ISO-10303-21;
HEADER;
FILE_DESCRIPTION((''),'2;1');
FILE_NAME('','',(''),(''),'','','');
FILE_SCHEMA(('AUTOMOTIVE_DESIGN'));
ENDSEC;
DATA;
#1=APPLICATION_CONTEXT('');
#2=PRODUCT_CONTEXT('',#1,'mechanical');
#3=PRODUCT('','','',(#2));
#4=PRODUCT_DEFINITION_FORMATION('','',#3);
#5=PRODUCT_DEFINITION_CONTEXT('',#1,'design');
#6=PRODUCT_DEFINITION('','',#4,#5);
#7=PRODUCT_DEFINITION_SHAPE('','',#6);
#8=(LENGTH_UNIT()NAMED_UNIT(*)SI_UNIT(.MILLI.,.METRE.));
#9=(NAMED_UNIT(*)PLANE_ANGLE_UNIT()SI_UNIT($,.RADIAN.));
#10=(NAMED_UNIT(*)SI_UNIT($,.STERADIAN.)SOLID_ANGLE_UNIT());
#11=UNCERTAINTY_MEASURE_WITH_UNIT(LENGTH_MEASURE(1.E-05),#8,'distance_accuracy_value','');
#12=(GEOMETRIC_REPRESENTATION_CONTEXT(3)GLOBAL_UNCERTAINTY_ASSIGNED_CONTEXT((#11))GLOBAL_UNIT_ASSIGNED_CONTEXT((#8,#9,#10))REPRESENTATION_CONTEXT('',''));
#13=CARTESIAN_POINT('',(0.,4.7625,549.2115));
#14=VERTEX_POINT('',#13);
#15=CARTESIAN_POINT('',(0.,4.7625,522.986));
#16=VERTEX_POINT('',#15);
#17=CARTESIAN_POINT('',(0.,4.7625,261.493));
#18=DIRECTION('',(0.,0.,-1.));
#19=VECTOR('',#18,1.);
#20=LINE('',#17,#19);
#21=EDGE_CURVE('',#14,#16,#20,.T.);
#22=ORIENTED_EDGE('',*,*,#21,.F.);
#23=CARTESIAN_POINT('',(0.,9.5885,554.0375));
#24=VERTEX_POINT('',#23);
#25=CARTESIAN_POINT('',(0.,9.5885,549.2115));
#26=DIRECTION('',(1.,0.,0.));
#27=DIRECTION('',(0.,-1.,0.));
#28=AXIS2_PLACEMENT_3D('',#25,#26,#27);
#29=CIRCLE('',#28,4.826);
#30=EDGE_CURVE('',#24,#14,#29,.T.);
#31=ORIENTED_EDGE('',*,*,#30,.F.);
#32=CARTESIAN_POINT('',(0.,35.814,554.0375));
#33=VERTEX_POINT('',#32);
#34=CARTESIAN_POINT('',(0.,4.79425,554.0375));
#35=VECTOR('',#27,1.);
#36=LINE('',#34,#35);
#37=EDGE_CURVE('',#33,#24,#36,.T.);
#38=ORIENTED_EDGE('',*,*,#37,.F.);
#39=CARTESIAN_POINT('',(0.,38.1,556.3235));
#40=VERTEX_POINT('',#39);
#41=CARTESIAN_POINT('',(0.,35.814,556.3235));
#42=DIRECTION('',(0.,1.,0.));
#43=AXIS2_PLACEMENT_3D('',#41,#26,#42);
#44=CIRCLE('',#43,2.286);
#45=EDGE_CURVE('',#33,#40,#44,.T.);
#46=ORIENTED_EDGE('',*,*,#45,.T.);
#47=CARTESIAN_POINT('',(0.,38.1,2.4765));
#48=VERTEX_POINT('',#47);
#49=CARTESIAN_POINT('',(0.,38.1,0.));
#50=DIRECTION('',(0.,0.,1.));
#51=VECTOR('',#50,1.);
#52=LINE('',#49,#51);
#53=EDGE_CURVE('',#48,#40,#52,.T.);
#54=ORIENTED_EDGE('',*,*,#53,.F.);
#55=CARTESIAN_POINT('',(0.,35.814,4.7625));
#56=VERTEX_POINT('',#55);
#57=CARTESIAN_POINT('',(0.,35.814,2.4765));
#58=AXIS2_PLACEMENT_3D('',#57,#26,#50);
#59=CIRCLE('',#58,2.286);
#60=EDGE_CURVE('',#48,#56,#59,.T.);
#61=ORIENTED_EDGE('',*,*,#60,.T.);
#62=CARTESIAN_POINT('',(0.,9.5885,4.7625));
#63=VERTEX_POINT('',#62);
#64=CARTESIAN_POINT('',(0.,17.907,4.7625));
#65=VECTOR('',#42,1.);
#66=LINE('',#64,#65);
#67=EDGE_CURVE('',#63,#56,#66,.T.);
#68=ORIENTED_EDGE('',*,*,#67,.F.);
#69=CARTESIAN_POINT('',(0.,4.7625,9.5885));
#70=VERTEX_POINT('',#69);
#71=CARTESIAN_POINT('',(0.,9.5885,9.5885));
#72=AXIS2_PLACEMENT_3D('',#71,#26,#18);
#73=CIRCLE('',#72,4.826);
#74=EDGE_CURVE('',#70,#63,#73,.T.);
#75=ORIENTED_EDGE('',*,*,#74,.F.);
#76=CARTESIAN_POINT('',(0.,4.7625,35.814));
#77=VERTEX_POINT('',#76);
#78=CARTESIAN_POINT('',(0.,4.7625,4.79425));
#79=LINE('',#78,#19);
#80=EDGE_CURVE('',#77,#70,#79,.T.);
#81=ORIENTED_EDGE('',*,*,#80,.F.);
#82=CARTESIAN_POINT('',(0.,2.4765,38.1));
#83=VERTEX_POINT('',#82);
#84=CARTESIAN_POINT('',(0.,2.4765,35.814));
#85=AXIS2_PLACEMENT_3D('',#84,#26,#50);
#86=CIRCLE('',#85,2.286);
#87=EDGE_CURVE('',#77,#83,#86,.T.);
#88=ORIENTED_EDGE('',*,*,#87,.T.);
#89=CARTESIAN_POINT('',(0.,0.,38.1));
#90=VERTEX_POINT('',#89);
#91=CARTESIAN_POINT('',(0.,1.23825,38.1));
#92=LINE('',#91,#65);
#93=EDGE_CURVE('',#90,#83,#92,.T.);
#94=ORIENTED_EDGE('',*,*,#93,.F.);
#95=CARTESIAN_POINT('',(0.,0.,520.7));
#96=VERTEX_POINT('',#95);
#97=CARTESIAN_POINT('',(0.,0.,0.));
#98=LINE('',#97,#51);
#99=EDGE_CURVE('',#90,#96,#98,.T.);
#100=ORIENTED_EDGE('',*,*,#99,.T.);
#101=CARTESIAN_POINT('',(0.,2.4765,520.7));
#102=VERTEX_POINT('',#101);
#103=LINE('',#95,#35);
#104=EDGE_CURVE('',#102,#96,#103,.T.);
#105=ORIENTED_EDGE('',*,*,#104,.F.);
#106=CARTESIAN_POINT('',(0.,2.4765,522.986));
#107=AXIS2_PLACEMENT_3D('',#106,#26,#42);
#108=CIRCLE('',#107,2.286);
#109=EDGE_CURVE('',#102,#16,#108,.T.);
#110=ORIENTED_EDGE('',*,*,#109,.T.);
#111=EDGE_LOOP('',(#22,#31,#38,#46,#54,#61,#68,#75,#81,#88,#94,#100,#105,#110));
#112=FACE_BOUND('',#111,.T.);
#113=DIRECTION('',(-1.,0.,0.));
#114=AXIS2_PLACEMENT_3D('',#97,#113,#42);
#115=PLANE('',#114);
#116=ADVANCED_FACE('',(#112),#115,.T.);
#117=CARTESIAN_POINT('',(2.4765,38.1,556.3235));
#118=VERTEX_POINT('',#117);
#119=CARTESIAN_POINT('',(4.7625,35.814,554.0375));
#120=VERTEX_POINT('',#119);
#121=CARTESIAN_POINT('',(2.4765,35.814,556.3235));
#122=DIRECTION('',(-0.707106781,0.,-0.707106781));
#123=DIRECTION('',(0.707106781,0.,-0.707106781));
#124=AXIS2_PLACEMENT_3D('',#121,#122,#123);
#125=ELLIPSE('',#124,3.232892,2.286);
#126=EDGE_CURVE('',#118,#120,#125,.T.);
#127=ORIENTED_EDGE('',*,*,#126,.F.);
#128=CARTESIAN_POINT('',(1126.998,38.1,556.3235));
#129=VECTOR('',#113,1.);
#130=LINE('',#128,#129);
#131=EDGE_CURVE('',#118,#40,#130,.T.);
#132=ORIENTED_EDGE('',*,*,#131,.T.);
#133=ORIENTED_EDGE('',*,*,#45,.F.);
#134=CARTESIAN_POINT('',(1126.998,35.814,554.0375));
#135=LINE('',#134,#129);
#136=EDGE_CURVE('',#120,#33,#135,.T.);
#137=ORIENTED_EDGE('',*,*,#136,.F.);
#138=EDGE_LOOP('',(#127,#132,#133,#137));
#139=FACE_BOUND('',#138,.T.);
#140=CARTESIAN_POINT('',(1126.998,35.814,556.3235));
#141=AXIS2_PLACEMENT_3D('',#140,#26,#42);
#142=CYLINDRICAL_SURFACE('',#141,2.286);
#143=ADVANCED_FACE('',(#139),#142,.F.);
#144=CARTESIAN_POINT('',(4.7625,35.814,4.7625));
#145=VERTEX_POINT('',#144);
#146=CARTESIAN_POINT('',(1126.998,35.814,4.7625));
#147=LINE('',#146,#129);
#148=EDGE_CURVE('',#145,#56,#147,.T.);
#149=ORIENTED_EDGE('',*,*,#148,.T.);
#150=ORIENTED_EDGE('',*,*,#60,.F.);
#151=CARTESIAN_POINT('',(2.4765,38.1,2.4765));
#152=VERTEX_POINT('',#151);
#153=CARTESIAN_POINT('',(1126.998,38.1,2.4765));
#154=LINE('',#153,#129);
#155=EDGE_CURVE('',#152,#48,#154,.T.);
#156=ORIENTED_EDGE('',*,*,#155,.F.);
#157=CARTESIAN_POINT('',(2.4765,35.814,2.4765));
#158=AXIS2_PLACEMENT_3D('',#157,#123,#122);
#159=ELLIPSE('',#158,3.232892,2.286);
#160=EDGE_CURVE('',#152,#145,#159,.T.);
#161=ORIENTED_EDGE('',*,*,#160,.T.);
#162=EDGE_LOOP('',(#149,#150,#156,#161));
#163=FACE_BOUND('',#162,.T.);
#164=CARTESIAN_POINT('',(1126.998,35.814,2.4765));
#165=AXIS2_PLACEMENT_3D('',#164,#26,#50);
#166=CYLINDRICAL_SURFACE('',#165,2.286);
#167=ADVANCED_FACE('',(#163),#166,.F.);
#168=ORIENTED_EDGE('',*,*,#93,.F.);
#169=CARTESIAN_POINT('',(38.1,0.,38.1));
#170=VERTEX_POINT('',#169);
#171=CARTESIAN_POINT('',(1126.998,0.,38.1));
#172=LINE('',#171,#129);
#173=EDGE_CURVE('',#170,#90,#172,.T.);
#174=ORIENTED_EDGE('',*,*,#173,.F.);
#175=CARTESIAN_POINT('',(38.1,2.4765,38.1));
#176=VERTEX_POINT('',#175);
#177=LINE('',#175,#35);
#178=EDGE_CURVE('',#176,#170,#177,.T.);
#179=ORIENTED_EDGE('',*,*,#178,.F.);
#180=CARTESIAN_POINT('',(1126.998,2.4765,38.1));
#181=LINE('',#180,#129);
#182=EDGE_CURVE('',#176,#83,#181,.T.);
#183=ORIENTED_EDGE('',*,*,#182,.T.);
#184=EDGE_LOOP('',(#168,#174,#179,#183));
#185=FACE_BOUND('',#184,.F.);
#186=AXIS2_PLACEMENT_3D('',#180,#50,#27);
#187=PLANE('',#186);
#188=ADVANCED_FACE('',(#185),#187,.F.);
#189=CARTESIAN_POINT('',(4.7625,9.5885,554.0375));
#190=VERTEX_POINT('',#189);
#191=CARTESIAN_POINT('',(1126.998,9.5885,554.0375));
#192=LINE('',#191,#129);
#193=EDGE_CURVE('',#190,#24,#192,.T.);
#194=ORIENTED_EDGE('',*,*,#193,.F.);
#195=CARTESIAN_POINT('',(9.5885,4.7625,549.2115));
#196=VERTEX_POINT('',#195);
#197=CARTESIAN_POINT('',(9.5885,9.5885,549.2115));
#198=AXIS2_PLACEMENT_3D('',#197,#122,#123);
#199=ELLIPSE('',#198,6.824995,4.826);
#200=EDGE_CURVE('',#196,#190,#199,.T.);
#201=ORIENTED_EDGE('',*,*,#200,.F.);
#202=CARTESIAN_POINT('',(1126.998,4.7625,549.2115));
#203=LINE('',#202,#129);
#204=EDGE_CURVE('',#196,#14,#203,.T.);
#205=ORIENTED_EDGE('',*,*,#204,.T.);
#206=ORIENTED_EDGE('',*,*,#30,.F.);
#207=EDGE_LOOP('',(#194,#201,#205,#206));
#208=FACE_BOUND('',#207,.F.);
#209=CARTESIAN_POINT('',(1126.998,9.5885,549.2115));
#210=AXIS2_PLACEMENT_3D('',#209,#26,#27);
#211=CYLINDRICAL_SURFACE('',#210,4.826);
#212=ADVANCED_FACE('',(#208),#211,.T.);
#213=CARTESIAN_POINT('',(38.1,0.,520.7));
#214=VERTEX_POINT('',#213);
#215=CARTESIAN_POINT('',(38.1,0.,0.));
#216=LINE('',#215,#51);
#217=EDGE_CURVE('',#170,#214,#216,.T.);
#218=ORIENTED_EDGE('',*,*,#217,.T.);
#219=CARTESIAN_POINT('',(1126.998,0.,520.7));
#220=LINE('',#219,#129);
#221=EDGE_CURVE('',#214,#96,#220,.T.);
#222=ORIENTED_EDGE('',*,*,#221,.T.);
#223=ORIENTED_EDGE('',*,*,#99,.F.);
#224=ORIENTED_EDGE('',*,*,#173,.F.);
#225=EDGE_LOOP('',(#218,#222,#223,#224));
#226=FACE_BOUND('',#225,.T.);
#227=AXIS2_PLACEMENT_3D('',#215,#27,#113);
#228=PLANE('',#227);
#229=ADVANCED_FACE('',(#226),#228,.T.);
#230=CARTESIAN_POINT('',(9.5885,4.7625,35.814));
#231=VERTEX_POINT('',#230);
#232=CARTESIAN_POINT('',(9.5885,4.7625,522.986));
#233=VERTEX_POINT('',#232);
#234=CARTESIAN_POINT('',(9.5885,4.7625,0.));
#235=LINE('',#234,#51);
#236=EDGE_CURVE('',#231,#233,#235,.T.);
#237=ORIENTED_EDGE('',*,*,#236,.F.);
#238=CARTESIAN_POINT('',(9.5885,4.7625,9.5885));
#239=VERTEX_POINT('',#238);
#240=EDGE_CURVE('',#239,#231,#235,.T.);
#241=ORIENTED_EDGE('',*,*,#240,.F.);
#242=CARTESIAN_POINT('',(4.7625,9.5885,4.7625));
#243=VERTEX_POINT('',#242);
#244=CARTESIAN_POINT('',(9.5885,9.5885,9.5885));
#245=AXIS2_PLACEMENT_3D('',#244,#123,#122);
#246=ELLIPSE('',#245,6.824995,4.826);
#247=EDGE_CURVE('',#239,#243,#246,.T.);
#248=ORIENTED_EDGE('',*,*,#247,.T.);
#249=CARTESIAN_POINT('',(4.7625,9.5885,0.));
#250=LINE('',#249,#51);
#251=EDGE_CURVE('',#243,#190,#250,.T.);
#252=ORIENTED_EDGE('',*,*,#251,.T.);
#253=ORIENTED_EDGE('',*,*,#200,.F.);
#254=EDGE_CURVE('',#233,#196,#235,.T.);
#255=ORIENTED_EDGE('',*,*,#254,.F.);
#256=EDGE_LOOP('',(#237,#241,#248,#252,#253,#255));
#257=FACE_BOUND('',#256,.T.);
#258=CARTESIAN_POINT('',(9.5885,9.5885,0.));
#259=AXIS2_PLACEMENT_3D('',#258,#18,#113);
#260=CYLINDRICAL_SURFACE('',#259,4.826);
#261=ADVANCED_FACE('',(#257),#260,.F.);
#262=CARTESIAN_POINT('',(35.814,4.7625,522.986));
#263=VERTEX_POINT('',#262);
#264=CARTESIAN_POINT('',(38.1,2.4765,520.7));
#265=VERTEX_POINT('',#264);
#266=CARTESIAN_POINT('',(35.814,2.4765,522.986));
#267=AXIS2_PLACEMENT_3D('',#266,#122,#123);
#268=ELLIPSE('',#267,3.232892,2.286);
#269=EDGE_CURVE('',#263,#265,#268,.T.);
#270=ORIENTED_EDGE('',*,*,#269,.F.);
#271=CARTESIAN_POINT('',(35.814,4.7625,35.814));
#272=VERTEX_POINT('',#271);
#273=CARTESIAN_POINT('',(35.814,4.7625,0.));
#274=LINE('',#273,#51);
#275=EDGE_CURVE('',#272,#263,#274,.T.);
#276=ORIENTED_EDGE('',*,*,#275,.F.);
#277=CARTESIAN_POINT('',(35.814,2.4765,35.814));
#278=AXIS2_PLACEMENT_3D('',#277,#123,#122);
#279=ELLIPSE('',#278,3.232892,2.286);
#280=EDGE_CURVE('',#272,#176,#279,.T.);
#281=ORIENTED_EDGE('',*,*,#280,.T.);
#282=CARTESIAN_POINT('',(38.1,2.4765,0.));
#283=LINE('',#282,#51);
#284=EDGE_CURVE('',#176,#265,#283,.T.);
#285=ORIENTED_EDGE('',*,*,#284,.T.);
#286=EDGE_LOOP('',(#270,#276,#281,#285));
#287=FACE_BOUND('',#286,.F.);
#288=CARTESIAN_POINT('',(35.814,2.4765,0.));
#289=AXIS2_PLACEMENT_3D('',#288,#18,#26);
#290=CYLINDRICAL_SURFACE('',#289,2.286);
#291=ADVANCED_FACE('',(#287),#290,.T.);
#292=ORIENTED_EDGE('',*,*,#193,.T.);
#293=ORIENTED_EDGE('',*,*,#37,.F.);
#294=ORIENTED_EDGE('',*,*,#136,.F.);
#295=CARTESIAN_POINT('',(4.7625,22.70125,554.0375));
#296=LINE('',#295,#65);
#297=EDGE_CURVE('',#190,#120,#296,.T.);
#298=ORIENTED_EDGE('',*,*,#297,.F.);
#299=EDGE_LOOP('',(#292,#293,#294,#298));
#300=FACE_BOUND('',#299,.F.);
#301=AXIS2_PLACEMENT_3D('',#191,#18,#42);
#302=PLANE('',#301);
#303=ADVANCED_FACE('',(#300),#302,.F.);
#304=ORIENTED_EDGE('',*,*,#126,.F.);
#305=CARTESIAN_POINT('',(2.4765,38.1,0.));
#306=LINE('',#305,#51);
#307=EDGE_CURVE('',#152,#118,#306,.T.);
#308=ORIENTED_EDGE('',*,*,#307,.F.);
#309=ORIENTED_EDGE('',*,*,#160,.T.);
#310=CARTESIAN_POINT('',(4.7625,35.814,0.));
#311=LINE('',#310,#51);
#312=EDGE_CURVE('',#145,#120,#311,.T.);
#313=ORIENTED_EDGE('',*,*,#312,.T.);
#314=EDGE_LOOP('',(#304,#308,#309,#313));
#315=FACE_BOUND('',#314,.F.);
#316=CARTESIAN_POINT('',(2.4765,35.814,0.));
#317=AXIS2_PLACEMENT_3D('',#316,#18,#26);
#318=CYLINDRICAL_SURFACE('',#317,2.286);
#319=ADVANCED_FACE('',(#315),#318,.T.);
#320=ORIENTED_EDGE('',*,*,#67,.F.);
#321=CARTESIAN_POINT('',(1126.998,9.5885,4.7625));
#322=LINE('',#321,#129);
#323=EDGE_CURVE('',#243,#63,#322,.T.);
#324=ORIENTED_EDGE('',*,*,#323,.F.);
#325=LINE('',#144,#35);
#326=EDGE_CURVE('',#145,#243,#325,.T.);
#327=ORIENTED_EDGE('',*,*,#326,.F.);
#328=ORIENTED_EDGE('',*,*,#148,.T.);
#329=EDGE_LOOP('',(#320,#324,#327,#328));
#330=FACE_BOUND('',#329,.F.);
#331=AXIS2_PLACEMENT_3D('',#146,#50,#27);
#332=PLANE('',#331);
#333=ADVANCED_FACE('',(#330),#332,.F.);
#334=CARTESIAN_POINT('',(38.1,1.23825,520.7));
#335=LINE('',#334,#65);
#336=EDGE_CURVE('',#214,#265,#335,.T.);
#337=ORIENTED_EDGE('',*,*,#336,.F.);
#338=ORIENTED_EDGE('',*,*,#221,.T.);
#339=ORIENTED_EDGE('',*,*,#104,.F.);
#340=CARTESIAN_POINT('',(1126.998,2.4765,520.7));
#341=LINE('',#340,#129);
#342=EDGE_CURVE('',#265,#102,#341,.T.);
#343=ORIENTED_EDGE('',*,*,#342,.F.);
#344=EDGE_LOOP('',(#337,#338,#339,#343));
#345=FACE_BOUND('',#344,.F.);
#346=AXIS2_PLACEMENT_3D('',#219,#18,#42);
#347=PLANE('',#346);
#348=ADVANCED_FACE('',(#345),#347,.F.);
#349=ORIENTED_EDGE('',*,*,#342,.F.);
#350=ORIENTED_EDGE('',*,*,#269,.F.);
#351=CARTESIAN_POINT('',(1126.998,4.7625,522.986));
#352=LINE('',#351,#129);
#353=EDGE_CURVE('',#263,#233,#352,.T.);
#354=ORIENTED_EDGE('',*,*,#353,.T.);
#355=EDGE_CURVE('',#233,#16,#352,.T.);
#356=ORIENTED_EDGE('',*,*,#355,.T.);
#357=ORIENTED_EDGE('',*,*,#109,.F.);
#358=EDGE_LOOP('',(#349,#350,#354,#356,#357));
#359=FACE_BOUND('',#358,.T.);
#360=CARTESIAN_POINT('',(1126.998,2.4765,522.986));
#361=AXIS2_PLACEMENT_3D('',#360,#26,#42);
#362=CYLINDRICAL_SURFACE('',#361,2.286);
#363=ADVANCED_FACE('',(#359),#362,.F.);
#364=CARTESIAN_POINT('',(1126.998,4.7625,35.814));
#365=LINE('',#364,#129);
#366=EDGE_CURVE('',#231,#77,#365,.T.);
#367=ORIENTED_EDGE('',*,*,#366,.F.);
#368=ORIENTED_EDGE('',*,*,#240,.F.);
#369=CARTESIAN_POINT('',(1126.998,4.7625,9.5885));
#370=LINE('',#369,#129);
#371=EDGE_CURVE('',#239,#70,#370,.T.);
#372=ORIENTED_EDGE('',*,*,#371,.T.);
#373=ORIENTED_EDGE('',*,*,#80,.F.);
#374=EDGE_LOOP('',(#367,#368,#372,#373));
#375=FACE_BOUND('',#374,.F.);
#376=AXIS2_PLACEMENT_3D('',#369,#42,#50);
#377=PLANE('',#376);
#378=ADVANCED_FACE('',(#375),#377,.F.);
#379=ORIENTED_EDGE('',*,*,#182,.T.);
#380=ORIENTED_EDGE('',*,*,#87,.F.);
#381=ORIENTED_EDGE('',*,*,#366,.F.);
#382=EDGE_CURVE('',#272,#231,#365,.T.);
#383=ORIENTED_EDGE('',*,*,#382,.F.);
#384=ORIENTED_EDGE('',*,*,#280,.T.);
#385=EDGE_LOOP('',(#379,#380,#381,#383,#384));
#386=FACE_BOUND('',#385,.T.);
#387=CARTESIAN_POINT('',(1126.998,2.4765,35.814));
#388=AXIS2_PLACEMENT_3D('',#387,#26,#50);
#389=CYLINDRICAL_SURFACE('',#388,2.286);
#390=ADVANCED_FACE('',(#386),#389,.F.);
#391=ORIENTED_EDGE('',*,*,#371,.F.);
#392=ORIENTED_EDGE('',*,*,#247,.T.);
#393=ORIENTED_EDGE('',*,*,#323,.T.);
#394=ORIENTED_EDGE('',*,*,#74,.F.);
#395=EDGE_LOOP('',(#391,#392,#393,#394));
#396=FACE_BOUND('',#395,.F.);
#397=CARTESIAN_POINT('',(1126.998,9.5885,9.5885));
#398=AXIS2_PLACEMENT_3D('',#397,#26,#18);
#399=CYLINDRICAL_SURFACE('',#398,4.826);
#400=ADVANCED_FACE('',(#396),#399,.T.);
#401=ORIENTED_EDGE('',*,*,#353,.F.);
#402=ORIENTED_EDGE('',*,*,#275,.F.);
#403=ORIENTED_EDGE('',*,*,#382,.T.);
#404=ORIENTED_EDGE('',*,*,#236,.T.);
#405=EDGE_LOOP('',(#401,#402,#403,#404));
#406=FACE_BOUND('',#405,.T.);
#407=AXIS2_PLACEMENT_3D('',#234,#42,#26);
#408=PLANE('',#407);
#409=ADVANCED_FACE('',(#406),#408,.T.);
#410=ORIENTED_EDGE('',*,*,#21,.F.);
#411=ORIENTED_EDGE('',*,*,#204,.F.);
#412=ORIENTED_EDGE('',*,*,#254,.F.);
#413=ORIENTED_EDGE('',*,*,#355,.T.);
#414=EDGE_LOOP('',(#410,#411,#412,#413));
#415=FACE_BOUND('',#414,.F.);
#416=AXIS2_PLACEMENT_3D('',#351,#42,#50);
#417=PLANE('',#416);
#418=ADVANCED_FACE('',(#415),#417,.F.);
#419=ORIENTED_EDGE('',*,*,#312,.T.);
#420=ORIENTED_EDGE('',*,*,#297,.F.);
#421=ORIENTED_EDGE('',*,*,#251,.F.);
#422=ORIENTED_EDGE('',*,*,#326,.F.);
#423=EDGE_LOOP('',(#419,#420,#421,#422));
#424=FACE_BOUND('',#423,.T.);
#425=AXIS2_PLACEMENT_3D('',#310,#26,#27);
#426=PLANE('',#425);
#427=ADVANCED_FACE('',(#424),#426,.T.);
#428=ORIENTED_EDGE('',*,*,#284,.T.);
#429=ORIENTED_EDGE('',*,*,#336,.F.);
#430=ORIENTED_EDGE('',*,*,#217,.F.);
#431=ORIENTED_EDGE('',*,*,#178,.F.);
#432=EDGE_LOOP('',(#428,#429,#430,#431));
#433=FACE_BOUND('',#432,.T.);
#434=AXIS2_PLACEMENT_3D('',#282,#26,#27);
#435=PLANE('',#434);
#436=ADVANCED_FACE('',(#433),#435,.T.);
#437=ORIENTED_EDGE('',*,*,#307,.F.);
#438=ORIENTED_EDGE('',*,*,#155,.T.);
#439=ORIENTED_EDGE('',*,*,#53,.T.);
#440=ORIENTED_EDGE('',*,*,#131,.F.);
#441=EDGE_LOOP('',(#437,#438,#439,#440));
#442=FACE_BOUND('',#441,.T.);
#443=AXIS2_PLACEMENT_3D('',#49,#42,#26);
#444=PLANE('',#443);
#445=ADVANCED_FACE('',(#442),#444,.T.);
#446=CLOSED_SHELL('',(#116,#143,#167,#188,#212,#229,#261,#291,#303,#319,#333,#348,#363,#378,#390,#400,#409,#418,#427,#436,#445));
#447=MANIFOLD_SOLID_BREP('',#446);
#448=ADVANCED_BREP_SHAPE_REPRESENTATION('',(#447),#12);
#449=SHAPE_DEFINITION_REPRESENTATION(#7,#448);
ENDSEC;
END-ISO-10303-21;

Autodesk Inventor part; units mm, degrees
ref_plane "Start plane" through (0, 0, 0) normal (0, 0, 1) x (1, 0, 0)
ref_plane "End plane" through (0, 0, 558.8) normal (0, 0, 1) x (1, 0, 0)
sketch "Sketch" plane through (0, 0, 0) normal (0, 0, 1) x (1, 0, 0)
  line L0 (38.1, 0) -> (0, 0)
  line L1 (0, 0) -> (0, 38.1)
  line L2 (0, 38.1) -> (2.4765, 38.1)
  line L3 (4.7625, 35.814) -> (4.7625, 9.5885)
  line L4 (9.5885, 4.7625) -> (35.814, 4.7625)
  line L5 (38.1, 2.4765) -> (38.1, 0)
  line L6 (0, -11.0414) -> (0, 31.5385) construction
  line L7 (-11.0414, 0) -> (31.5385, 0) construction
  arc A0 (4.7625, 9.5885) -> (9.5885, 4.7625) centre (9.5885, 9.5885) ccw
  arc A1 (4.7625, 35.814) -> (2.4765, 38.1) centre (2.4765, 35.814) ccw
  arc A2 (38.1, 2.4765) -> (35.814, 4.7625) centre (35.814, 2.4765) ccw
  line L8 (0, 48.4964) -> (0, -20.9644) construction
  line L9 (-20.9644, 0) -> (48.4964, 0) construction
  point P0 (4.7625, 38.1)
  point P1 (4.7625, 4.7625)
  point P2 (38.1, 4.7625)
  dimension "d0" = 38.1
  dimension "d1" = 38.1
  dimension "d2" = 4.7625
  dimension "d3" = 4.7625
  dimension "d10" = 0
  dimension "d11" = 0
  dimension "d14" = 4.826
  dimension "d15" = 2.286
extrude "Body" add sketch "Sketch" along normal up to surface (558.8 mm away) from surface at 0
sketch "Sketch3" plane through (0, 0, 0) normal (0, 0, 1) x (1, 0, 0)
  line L0 (0, 0) -> (10, 0)
ref_plane "Work Plane3" through (0, 0, 0) normal (0, -1, 0) x (1, 0, 0)
sketch "Sketch4" plane through (0, 0, 0) normal (0, -1, 0) x (1, 0, 0)
  line L0 (-2, 0) -> (12, 0)
  line L1 (-2, 558.8) -> (12, 558.8)
  dimension "d17" = 558.8
ref_plane "Work Plane4" through (1126.998, 19.05, 558.8) normal (0.7071, 0, -0.7071) x (0, 1, 0)
ref_plane "Work Plane5" through (-130.302, 19.05, 558.8) normal (-0.7071, 0, -0.7071) x (0, 1, 0)
ref_plane "Work Plane6" through (498.348, 0, 558.8) normal (-1, 0, 0) x (0, 1, 0)
sketch "Sketch5" plane through (498.348, 0, 558.8) normal (-1, 0, 0) x (0, 1, 0)
  line L0 (38.1, 0) -> (0, 0)
  line L1 (0, 0) -> (0, 38.1)
  line L2 (0, 38.1) -> (2.4765, 38.1)
  arc A0 (4.7625, 35.814) -> (2.4765, 38.1) centre (2.4765, 35.814) ccw
  line L3 (4.7625, 35.814) -> (4.7625, 9.5885)
  arc A1 (4.7625, 9.5885) -> (9.5885, 4.7625) centre (9.5885, 9.5885) ccw
  line L4 (9.5885, 4.7625) -> (35.814, 4.7625)
  arc A2 (38.1, 2.4765) -> (35.814, 4.7625) centre (35.814, 2.4765) ccw
  line L5 (38.1, 2.4765) -> (38.1, 0)
extrude "Extrusion2" cut sketch "Sketch5" along normal up to surface from surface at -628.65 surface through (-130.302, 19.05, 558.8) normal (-0.7071, 0, -0.7071)
ref_plane "Work Plane7" through (1126.998, 19.05, 0) normal (0.7071, 0, 0.7071) x (0.7071, 0, -0.7071)
ref_plane "Work Plane8" through (-130.302, 19.05, 0) normal (-0.7071, 0, 0.7071) x (0.7071, 0, 0.7071)
ref_plane "Work Plane9" through (498.348, 0, 0) normal (-1, 0, 0) x (0, 0, 1)
sketch "Sketch6" plane through (498.348, 0, 0) normal (-1, 0, 0) x (0, 0, 1)
  line L0 (38.1, 0) -> (0, 0)
  line L1 (0, 0) -> (0, 38.1)
  line L2 (0, 38.1) -> (2.4765, 38.1)
  arc A0 (4.7625, 35.814) -> (2.4765, 38.1) centre (2.4765, 35.814) ccw
  line L3 (4.7625, 35.814) -> (4.7625, 9.5885)
  arc A1 (4.7625, 9.5885) -> (9.5885, 4.7625) centre (9.5885, 9.5885) ccw
  line L4 (9.5885, 4.7625) -> (35.814, 4.7625)
  arc A2 (38.1, 2.4765) -> (35.814, 4.7625) centre (35.814, 2.4765) ccw
  line L5 (38.1, 2.4765) -> (38.1, 0)
extrude "Extrusion3" cut sketch "Sketch6" along normal up to surface from surface at -628.65 surface through (-130.302, 19.05, 0) normal (-0.7071, 0, 0.7071)
equation "\"d0\" = G_H"
equation "\"d1\" = G_H"
equation "\"d2\" = G_T"
equation "\"d3\" = G_T"
equation "\"d14\" = G_IR"
equation "\"d15\" = G_ER"
equation "\"d4\" = G_L"
equation "\"G_H\" = 38.1"
equation "\"G_T\" = 4.7625"
equation "\"G_ER\" = 2.286"
equation "\"G_IR\" = 4.826"
equation "\"G_L\" = d17"
equation "\"ex\" = 0"
equation "\"G_OFFSET_START\" = 0"
equation "\"G_OFFSET_END\" = 0"
equation "\"d13\" = G_OFFSET_END + B_L"
equation "\"B_L\" = 558.8"
properties part number "AISC - L 1.5 x 1.5 x 3/16 - 22" material "Aluminum 6061-AHC"
